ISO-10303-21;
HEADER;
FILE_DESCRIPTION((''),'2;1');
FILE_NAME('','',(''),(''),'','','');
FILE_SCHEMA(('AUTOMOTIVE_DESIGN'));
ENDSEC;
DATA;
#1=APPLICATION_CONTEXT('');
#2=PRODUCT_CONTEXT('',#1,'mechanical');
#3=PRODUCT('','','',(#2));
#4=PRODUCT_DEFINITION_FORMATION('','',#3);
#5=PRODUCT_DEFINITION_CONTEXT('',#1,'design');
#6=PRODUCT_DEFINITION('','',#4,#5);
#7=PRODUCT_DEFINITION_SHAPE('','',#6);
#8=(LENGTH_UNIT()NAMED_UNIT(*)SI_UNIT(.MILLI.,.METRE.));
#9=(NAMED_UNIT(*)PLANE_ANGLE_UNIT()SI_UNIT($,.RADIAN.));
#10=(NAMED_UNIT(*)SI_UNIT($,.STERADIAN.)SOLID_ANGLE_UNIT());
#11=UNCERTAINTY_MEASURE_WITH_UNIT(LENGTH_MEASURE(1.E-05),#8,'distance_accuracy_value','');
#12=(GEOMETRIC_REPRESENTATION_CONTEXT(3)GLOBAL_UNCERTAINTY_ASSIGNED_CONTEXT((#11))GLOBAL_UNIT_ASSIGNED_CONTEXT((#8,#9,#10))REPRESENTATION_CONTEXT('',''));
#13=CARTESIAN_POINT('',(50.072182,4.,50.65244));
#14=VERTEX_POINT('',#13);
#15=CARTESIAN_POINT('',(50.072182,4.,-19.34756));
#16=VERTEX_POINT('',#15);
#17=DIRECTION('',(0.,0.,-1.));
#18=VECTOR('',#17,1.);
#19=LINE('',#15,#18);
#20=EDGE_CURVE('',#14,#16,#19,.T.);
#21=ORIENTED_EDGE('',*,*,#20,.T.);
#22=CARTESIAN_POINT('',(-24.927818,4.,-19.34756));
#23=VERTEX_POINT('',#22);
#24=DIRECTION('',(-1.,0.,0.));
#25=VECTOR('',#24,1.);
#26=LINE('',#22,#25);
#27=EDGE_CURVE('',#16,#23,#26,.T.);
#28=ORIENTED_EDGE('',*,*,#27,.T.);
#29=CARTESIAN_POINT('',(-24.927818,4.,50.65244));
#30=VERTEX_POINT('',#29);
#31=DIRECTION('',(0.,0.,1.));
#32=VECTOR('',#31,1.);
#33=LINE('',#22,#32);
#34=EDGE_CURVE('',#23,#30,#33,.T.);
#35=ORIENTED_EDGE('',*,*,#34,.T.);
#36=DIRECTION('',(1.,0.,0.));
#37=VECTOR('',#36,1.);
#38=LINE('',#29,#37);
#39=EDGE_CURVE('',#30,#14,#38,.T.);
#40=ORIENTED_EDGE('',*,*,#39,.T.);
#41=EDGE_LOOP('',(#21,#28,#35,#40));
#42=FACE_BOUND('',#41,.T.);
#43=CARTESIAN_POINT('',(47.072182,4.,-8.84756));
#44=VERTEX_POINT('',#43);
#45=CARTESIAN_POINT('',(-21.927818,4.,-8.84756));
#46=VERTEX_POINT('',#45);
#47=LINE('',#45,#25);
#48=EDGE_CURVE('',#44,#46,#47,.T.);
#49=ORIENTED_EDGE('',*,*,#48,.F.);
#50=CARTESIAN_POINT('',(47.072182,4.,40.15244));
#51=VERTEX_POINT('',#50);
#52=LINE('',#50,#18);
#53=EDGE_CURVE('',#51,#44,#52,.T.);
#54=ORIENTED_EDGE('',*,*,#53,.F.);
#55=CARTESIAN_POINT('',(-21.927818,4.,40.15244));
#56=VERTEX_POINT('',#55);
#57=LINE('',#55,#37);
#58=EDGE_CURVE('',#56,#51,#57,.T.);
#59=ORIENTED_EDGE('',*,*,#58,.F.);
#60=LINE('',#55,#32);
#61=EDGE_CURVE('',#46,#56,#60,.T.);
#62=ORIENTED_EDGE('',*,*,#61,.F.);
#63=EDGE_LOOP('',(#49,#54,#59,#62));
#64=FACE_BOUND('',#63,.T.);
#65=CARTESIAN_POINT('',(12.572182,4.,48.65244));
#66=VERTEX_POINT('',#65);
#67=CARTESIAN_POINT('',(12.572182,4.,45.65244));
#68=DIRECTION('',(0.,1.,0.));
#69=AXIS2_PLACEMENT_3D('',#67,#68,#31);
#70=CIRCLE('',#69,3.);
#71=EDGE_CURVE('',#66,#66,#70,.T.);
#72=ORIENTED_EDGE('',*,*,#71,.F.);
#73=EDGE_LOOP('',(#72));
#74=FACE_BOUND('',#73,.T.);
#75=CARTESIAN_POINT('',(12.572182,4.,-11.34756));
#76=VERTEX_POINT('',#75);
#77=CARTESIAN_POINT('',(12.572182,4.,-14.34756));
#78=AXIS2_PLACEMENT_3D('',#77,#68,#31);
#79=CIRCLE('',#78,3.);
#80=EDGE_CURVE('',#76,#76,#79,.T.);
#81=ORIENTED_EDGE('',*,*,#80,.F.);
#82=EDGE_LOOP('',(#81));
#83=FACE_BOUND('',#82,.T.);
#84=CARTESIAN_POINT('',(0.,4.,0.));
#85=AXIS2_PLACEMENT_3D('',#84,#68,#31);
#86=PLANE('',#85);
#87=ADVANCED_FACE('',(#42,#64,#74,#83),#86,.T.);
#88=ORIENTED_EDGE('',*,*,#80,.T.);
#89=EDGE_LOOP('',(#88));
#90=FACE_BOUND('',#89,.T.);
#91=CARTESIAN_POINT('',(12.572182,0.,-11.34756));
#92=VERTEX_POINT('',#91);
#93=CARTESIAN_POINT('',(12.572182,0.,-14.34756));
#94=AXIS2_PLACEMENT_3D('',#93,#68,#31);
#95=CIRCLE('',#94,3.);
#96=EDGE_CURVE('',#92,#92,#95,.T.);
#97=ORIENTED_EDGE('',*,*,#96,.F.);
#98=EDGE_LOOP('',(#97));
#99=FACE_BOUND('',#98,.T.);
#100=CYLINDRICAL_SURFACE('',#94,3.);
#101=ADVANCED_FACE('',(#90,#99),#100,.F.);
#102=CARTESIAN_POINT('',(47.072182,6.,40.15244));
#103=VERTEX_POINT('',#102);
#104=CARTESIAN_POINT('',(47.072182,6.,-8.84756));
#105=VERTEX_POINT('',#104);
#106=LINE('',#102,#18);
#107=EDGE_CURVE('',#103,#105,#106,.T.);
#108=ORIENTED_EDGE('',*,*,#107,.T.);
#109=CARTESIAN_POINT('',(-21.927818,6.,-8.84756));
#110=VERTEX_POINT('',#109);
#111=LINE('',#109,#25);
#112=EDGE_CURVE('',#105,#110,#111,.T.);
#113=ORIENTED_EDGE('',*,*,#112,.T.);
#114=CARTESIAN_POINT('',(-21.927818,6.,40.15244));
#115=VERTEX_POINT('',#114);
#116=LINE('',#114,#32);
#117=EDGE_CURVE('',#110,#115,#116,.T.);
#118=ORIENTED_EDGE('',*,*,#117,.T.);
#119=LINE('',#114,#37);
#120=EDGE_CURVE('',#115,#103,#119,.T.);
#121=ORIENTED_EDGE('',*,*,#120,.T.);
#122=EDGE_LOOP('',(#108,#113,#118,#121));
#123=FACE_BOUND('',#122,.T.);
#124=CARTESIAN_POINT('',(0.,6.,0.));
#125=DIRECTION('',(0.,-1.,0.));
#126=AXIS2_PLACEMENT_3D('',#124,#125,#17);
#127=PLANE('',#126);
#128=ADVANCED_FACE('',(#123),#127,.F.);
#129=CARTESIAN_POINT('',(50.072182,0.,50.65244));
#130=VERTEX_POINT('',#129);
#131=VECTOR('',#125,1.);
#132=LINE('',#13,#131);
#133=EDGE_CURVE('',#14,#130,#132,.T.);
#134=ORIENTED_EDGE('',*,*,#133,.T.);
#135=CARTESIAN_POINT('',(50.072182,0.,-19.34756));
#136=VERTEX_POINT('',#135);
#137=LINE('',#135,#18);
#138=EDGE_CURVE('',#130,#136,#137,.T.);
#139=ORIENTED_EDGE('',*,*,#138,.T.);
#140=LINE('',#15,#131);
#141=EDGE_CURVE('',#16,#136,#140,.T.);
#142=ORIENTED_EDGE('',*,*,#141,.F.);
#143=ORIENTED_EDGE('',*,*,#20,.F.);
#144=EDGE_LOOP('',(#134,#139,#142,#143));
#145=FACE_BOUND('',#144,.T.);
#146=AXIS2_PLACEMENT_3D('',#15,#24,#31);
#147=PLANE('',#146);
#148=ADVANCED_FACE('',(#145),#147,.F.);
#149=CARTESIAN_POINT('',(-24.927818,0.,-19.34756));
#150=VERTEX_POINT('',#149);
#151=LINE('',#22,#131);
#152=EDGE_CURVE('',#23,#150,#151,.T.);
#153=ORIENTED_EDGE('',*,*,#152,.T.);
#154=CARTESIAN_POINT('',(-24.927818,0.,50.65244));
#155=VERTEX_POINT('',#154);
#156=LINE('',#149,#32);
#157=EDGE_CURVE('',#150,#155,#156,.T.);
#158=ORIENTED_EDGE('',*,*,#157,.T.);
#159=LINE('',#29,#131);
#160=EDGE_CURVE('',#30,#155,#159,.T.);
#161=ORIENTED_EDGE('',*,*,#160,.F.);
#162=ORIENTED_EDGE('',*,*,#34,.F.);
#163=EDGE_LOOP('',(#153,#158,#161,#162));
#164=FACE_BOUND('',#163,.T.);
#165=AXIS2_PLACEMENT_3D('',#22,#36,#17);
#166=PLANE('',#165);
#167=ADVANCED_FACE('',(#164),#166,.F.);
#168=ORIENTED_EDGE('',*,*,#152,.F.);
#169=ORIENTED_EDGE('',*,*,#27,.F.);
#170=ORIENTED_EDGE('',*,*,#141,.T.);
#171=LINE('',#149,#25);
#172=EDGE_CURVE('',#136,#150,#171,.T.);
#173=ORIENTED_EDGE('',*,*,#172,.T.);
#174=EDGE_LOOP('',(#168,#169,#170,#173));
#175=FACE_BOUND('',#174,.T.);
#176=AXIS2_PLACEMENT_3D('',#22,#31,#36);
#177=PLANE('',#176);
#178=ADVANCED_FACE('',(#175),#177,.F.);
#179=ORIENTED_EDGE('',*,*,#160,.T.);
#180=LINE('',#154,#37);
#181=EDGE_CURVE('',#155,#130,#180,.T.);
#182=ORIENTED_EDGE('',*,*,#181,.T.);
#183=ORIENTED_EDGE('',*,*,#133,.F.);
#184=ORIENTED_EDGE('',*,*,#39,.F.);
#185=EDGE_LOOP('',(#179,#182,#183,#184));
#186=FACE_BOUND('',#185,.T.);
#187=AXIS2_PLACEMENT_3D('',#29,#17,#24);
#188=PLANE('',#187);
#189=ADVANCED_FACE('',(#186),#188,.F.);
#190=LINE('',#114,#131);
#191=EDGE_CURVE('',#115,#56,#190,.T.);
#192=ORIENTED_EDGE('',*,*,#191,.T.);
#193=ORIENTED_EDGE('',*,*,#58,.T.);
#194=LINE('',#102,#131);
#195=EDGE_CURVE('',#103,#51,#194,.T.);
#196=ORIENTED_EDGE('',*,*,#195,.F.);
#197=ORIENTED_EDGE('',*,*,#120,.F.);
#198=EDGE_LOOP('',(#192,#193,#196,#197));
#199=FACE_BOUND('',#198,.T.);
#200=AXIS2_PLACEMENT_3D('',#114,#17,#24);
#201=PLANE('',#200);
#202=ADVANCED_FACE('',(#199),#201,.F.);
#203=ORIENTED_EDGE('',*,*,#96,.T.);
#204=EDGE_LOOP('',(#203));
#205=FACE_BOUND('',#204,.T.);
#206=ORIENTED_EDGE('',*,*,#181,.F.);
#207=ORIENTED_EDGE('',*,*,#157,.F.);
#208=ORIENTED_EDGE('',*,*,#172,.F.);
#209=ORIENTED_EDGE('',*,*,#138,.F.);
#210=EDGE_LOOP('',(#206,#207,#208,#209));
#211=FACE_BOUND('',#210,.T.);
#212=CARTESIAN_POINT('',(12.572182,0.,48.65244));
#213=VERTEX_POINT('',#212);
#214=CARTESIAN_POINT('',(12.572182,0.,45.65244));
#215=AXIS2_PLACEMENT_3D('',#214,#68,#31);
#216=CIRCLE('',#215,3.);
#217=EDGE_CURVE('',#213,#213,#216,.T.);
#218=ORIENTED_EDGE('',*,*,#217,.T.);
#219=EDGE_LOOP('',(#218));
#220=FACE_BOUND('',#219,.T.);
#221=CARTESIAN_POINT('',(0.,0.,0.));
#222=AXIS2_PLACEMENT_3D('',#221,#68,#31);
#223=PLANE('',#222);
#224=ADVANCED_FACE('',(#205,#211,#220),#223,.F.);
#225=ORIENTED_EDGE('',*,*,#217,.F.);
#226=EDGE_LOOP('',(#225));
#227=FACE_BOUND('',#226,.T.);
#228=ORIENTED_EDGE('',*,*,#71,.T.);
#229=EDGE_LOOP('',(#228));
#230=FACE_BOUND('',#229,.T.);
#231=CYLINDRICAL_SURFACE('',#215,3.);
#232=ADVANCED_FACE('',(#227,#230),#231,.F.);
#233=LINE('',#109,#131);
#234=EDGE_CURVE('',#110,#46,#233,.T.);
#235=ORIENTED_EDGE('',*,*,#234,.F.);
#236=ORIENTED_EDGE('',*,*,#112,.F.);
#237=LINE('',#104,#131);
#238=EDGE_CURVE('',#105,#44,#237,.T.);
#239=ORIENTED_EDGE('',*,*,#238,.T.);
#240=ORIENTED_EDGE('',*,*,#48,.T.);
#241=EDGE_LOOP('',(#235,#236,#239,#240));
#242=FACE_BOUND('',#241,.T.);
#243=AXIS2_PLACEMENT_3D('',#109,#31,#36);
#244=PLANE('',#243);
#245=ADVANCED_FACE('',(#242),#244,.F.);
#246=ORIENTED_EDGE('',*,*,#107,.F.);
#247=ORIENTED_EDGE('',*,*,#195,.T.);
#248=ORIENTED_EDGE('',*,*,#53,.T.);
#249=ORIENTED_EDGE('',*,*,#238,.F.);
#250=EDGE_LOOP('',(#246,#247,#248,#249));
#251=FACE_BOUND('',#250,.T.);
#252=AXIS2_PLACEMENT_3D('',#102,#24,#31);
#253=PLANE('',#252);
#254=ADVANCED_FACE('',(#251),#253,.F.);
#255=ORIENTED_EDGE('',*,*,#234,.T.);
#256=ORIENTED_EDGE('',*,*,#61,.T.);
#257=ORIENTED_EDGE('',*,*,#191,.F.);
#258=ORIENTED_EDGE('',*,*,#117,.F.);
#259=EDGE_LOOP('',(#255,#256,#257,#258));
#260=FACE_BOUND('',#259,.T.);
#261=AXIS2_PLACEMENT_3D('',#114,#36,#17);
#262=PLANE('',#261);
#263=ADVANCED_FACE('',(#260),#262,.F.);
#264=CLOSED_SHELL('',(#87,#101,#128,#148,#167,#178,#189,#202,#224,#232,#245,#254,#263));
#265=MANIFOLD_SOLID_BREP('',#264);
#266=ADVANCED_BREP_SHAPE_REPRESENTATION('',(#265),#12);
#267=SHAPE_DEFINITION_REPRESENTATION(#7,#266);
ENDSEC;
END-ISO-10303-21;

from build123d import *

# Parameters (mm, degrees)
SKETCH1_W           = 75
SKETCH1_H           = 70
BOSS_EXTRUDE1_DEPTH = 4
SKETCH2_W           = 69
SKETCH2_H           = 49
BOSS_EXTRUDE2_DEPTH = 2
SKETCH3_R           = 3
CUT_EXTRUDE1_DEPTH  = 4


with BuildPart() as part:
    # Sketch1 → Boss-Extrude1 (new body)
    with BuildSketch(Plane(origin=(0, 0, 0), x_dir=(1, 0, 0), z_dir=(0, 1, 0))):
        with Locations((12.572182046, -15.652440212)):
            Rectangle(SKETCH1_W, SKETCH1_H)
    extrude(amount=BOSS_EXTRUDE1_DEPTH)

    # Sketch2 → Boss-Extrude2 (add)
    with BuildSketch(Plane(origin=(0, 4, 0), x_dir=(1, 0, 0), z_dir=(0, 1, 0))):
        with Locations((12.572182046, -15.652440212)):
            Rectangle(SKETCH2_W, SKETCH2_H)
    extrude(amount=BOSS_EXTRUDE2_DEPTH)

    # Sketch3 → Cut-Extrude1 (cut)
    with BuildSketch(Plane(origin=(0, 4, 0), x_dir=(1, 0, 0), z_dir=(0, 1, 0))):
        with Locations((12.572182046, 14.347559788)):
            Circle(SKETCH3_R)
        with Locations((12.572182046, -45.652440212)):
            Circle(SKETCH3_R)
    extrude(amount=-CUT_EXTRUDE1_DEPTH, mode=Mode.SUBTRACT)


solid = part.part
